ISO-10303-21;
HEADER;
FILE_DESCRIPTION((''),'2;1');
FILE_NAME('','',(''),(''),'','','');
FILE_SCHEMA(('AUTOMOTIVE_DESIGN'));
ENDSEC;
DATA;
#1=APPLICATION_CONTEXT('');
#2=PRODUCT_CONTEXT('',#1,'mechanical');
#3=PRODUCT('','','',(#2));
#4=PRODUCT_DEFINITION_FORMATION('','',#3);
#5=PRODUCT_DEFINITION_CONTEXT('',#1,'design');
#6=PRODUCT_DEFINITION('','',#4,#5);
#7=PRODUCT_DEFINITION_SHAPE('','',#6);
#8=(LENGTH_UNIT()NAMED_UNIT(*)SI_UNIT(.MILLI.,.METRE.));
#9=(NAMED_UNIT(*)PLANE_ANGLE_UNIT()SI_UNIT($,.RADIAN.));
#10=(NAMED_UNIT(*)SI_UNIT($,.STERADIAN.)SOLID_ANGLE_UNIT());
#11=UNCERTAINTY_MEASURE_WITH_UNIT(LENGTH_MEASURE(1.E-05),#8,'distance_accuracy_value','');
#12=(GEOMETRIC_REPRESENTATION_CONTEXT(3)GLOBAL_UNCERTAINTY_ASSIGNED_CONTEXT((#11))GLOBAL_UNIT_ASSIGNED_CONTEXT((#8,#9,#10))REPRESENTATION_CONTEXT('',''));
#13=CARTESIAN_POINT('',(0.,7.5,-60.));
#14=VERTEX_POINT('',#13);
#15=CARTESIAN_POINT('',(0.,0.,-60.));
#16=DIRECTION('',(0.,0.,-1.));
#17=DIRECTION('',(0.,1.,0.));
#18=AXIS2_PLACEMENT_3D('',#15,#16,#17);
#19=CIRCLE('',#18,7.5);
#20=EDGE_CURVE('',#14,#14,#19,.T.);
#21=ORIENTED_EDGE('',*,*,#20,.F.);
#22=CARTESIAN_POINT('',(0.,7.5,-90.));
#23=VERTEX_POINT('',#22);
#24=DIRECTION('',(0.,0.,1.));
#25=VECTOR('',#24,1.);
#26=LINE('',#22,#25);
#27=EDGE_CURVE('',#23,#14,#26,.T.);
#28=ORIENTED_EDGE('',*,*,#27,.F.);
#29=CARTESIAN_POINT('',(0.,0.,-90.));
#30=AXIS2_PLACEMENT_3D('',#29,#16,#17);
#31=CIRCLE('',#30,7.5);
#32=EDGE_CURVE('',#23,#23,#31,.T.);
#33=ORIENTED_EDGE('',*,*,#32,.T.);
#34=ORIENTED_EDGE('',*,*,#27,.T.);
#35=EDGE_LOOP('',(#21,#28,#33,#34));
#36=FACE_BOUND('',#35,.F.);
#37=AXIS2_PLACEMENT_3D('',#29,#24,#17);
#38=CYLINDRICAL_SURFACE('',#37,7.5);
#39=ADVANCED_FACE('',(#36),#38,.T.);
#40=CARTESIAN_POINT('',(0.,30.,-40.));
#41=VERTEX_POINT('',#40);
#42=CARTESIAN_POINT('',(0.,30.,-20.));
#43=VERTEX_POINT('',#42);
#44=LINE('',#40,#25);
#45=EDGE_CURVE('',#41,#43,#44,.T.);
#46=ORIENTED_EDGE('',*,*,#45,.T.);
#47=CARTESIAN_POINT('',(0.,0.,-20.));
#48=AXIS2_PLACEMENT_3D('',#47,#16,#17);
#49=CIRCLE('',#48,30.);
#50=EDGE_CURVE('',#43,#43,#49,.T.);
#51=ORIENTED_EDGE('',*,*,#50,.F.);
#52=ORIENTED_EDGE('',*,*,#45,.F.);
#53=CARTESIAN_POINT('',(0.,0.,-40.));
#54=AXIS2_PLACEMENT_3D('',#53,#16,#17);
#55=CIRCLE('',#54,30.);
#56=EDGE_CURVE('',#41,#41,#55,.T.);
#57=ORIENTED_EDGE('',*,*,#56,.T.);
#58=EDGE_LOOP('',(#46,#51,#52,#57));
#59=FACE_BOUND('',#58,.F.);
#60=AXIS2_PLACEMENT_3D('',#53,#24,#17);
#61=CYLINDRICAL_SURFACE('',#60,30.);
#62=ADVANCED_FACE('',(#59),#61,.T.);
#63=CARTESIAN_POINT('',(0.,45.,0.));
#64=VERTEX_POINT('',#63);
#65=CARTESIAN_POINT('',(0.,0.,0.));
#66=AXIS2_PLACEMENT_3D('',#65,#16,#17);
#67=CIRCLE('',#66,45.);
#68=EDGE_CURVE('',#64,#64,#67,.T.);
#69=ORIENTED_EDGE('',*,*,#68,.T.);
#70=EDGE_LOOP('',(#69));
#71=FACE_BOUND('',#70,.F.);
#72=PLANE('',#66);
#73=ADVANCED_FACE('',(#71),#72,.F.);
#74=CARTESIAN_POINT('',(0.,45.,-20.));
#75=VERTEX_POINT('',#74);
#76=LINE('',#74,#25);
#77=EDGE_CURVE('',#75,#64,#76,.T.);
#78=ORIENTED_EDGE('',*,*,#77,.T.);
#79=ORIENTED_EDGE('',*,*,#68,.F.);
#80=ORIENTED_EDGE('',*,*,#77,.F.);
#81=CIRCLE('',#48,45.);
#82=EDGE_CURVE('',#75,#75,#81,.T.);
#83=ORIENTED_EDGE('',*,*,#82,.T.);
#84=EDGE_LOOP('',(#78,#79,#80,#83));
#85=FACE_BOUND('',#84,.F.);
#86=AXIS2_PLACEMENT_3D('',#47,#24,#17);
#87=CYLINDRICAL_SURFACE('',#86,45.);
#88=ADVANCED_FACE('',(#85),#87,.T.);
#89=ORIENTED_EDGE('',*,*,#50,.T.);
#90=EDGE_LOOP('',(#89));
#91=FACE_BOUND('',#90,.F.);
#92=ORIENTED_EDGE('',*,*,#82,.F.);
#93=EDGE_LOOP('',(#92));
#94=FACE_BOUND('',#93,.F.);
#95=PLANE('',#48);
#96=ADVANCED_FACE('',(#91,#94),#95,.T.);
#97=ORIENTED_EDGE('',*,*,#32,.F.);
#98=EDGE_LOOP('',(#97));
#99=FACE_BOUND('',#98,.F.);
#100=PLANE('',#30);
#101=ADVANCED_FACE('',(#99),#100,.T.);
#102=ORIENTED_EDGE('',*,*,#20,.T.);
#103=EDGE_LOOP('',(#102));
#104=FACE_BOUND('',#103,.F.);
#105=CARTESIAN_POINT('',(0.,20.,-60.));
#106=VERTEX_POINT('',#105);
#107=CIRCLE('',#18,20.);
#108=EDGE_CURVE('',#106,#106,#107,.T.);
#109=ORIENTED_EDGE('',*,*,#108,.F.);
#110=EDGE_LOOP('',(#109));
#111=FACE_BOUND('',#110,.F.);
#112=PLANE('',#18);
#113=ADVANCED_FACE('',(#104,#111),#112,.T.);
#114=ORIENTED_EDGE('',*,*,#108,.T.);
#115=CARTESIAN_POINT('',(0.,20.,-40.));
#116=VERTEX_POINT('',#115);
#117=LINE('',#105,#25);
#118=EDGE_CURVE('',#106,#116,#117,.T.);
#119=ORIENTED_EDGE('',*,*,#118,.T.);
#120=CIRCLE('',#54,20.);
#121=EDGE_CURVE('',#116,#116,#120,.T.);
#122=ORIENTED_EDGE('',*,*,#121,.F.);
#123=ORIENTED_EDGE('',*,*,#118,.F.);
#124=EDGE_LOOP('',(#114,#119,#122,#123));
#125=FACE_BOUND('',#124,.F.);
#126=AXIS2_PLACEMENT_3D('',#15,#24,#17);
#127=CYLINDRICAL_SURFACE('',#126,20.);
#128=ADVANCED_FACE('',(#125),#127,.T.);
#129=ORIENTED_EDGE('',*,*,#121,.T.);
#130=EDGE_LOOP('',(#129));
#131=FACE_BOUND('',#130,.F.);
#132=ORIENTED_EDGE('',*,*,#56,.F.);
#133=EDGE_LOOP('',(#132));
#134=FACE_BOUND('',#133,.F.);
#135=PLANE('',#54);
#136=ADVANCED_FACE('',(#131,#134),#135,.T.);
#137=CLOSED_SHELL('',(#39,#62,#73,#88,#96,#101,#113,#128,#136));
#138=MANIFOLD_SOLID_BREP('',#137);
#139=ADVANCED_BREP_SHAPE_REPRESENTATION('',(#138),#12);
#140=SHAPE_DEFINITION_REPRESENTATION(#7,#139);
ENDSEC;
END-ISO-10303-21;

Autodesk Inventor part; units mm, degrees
ref_plane "YZ Plane" through (0, 0, 0) normal (1, 0, 0) x (0, 1, 0)
ref_plane "XZ Plane" through (0, 0, 0) normal (0, 1, 0) x (-1, 0, 0)
ref_plane "XY Plane" through (0, 0, 0) normal (0, 0, 1) x (1, 0, 0)
sketch "Sketch1" plane through (0, 0, 0) normal (1, 0, 0) x (0, 1, 0)
  line L0 (0, 0) -> (0, -90)
  line L1 (0, -90) -> (7.5, -90)
  line L2 (7.5, -90) -> (7.5, -60)
  line L3 (7.5, -60) -> (20, -60)
  line L4 (20, -60) -> (20, -40)
  line L5 (20, -40) -> (30, -40)
  line L6 (30, -40) -> (30, -20)
  line L7 (30, -20) -> (45, -20)
  line L8 (45, -20) -> (45, 0)
  line L9 (45, 0) -> (0, 0)
  dimension "d0" = 90
  dimension "d1" = 15
  dimension "d2" = 40
  dimension "d3" = 60
  dimension "d4" = 90
  dimension "d5" = 20
  dimension "d6" = 20
  dimension "d7" = 20
revolve "Revolution1" add sketch "Sketch1" angle 360 about axis through (0, 0, 0) along (0, 0, -1)
